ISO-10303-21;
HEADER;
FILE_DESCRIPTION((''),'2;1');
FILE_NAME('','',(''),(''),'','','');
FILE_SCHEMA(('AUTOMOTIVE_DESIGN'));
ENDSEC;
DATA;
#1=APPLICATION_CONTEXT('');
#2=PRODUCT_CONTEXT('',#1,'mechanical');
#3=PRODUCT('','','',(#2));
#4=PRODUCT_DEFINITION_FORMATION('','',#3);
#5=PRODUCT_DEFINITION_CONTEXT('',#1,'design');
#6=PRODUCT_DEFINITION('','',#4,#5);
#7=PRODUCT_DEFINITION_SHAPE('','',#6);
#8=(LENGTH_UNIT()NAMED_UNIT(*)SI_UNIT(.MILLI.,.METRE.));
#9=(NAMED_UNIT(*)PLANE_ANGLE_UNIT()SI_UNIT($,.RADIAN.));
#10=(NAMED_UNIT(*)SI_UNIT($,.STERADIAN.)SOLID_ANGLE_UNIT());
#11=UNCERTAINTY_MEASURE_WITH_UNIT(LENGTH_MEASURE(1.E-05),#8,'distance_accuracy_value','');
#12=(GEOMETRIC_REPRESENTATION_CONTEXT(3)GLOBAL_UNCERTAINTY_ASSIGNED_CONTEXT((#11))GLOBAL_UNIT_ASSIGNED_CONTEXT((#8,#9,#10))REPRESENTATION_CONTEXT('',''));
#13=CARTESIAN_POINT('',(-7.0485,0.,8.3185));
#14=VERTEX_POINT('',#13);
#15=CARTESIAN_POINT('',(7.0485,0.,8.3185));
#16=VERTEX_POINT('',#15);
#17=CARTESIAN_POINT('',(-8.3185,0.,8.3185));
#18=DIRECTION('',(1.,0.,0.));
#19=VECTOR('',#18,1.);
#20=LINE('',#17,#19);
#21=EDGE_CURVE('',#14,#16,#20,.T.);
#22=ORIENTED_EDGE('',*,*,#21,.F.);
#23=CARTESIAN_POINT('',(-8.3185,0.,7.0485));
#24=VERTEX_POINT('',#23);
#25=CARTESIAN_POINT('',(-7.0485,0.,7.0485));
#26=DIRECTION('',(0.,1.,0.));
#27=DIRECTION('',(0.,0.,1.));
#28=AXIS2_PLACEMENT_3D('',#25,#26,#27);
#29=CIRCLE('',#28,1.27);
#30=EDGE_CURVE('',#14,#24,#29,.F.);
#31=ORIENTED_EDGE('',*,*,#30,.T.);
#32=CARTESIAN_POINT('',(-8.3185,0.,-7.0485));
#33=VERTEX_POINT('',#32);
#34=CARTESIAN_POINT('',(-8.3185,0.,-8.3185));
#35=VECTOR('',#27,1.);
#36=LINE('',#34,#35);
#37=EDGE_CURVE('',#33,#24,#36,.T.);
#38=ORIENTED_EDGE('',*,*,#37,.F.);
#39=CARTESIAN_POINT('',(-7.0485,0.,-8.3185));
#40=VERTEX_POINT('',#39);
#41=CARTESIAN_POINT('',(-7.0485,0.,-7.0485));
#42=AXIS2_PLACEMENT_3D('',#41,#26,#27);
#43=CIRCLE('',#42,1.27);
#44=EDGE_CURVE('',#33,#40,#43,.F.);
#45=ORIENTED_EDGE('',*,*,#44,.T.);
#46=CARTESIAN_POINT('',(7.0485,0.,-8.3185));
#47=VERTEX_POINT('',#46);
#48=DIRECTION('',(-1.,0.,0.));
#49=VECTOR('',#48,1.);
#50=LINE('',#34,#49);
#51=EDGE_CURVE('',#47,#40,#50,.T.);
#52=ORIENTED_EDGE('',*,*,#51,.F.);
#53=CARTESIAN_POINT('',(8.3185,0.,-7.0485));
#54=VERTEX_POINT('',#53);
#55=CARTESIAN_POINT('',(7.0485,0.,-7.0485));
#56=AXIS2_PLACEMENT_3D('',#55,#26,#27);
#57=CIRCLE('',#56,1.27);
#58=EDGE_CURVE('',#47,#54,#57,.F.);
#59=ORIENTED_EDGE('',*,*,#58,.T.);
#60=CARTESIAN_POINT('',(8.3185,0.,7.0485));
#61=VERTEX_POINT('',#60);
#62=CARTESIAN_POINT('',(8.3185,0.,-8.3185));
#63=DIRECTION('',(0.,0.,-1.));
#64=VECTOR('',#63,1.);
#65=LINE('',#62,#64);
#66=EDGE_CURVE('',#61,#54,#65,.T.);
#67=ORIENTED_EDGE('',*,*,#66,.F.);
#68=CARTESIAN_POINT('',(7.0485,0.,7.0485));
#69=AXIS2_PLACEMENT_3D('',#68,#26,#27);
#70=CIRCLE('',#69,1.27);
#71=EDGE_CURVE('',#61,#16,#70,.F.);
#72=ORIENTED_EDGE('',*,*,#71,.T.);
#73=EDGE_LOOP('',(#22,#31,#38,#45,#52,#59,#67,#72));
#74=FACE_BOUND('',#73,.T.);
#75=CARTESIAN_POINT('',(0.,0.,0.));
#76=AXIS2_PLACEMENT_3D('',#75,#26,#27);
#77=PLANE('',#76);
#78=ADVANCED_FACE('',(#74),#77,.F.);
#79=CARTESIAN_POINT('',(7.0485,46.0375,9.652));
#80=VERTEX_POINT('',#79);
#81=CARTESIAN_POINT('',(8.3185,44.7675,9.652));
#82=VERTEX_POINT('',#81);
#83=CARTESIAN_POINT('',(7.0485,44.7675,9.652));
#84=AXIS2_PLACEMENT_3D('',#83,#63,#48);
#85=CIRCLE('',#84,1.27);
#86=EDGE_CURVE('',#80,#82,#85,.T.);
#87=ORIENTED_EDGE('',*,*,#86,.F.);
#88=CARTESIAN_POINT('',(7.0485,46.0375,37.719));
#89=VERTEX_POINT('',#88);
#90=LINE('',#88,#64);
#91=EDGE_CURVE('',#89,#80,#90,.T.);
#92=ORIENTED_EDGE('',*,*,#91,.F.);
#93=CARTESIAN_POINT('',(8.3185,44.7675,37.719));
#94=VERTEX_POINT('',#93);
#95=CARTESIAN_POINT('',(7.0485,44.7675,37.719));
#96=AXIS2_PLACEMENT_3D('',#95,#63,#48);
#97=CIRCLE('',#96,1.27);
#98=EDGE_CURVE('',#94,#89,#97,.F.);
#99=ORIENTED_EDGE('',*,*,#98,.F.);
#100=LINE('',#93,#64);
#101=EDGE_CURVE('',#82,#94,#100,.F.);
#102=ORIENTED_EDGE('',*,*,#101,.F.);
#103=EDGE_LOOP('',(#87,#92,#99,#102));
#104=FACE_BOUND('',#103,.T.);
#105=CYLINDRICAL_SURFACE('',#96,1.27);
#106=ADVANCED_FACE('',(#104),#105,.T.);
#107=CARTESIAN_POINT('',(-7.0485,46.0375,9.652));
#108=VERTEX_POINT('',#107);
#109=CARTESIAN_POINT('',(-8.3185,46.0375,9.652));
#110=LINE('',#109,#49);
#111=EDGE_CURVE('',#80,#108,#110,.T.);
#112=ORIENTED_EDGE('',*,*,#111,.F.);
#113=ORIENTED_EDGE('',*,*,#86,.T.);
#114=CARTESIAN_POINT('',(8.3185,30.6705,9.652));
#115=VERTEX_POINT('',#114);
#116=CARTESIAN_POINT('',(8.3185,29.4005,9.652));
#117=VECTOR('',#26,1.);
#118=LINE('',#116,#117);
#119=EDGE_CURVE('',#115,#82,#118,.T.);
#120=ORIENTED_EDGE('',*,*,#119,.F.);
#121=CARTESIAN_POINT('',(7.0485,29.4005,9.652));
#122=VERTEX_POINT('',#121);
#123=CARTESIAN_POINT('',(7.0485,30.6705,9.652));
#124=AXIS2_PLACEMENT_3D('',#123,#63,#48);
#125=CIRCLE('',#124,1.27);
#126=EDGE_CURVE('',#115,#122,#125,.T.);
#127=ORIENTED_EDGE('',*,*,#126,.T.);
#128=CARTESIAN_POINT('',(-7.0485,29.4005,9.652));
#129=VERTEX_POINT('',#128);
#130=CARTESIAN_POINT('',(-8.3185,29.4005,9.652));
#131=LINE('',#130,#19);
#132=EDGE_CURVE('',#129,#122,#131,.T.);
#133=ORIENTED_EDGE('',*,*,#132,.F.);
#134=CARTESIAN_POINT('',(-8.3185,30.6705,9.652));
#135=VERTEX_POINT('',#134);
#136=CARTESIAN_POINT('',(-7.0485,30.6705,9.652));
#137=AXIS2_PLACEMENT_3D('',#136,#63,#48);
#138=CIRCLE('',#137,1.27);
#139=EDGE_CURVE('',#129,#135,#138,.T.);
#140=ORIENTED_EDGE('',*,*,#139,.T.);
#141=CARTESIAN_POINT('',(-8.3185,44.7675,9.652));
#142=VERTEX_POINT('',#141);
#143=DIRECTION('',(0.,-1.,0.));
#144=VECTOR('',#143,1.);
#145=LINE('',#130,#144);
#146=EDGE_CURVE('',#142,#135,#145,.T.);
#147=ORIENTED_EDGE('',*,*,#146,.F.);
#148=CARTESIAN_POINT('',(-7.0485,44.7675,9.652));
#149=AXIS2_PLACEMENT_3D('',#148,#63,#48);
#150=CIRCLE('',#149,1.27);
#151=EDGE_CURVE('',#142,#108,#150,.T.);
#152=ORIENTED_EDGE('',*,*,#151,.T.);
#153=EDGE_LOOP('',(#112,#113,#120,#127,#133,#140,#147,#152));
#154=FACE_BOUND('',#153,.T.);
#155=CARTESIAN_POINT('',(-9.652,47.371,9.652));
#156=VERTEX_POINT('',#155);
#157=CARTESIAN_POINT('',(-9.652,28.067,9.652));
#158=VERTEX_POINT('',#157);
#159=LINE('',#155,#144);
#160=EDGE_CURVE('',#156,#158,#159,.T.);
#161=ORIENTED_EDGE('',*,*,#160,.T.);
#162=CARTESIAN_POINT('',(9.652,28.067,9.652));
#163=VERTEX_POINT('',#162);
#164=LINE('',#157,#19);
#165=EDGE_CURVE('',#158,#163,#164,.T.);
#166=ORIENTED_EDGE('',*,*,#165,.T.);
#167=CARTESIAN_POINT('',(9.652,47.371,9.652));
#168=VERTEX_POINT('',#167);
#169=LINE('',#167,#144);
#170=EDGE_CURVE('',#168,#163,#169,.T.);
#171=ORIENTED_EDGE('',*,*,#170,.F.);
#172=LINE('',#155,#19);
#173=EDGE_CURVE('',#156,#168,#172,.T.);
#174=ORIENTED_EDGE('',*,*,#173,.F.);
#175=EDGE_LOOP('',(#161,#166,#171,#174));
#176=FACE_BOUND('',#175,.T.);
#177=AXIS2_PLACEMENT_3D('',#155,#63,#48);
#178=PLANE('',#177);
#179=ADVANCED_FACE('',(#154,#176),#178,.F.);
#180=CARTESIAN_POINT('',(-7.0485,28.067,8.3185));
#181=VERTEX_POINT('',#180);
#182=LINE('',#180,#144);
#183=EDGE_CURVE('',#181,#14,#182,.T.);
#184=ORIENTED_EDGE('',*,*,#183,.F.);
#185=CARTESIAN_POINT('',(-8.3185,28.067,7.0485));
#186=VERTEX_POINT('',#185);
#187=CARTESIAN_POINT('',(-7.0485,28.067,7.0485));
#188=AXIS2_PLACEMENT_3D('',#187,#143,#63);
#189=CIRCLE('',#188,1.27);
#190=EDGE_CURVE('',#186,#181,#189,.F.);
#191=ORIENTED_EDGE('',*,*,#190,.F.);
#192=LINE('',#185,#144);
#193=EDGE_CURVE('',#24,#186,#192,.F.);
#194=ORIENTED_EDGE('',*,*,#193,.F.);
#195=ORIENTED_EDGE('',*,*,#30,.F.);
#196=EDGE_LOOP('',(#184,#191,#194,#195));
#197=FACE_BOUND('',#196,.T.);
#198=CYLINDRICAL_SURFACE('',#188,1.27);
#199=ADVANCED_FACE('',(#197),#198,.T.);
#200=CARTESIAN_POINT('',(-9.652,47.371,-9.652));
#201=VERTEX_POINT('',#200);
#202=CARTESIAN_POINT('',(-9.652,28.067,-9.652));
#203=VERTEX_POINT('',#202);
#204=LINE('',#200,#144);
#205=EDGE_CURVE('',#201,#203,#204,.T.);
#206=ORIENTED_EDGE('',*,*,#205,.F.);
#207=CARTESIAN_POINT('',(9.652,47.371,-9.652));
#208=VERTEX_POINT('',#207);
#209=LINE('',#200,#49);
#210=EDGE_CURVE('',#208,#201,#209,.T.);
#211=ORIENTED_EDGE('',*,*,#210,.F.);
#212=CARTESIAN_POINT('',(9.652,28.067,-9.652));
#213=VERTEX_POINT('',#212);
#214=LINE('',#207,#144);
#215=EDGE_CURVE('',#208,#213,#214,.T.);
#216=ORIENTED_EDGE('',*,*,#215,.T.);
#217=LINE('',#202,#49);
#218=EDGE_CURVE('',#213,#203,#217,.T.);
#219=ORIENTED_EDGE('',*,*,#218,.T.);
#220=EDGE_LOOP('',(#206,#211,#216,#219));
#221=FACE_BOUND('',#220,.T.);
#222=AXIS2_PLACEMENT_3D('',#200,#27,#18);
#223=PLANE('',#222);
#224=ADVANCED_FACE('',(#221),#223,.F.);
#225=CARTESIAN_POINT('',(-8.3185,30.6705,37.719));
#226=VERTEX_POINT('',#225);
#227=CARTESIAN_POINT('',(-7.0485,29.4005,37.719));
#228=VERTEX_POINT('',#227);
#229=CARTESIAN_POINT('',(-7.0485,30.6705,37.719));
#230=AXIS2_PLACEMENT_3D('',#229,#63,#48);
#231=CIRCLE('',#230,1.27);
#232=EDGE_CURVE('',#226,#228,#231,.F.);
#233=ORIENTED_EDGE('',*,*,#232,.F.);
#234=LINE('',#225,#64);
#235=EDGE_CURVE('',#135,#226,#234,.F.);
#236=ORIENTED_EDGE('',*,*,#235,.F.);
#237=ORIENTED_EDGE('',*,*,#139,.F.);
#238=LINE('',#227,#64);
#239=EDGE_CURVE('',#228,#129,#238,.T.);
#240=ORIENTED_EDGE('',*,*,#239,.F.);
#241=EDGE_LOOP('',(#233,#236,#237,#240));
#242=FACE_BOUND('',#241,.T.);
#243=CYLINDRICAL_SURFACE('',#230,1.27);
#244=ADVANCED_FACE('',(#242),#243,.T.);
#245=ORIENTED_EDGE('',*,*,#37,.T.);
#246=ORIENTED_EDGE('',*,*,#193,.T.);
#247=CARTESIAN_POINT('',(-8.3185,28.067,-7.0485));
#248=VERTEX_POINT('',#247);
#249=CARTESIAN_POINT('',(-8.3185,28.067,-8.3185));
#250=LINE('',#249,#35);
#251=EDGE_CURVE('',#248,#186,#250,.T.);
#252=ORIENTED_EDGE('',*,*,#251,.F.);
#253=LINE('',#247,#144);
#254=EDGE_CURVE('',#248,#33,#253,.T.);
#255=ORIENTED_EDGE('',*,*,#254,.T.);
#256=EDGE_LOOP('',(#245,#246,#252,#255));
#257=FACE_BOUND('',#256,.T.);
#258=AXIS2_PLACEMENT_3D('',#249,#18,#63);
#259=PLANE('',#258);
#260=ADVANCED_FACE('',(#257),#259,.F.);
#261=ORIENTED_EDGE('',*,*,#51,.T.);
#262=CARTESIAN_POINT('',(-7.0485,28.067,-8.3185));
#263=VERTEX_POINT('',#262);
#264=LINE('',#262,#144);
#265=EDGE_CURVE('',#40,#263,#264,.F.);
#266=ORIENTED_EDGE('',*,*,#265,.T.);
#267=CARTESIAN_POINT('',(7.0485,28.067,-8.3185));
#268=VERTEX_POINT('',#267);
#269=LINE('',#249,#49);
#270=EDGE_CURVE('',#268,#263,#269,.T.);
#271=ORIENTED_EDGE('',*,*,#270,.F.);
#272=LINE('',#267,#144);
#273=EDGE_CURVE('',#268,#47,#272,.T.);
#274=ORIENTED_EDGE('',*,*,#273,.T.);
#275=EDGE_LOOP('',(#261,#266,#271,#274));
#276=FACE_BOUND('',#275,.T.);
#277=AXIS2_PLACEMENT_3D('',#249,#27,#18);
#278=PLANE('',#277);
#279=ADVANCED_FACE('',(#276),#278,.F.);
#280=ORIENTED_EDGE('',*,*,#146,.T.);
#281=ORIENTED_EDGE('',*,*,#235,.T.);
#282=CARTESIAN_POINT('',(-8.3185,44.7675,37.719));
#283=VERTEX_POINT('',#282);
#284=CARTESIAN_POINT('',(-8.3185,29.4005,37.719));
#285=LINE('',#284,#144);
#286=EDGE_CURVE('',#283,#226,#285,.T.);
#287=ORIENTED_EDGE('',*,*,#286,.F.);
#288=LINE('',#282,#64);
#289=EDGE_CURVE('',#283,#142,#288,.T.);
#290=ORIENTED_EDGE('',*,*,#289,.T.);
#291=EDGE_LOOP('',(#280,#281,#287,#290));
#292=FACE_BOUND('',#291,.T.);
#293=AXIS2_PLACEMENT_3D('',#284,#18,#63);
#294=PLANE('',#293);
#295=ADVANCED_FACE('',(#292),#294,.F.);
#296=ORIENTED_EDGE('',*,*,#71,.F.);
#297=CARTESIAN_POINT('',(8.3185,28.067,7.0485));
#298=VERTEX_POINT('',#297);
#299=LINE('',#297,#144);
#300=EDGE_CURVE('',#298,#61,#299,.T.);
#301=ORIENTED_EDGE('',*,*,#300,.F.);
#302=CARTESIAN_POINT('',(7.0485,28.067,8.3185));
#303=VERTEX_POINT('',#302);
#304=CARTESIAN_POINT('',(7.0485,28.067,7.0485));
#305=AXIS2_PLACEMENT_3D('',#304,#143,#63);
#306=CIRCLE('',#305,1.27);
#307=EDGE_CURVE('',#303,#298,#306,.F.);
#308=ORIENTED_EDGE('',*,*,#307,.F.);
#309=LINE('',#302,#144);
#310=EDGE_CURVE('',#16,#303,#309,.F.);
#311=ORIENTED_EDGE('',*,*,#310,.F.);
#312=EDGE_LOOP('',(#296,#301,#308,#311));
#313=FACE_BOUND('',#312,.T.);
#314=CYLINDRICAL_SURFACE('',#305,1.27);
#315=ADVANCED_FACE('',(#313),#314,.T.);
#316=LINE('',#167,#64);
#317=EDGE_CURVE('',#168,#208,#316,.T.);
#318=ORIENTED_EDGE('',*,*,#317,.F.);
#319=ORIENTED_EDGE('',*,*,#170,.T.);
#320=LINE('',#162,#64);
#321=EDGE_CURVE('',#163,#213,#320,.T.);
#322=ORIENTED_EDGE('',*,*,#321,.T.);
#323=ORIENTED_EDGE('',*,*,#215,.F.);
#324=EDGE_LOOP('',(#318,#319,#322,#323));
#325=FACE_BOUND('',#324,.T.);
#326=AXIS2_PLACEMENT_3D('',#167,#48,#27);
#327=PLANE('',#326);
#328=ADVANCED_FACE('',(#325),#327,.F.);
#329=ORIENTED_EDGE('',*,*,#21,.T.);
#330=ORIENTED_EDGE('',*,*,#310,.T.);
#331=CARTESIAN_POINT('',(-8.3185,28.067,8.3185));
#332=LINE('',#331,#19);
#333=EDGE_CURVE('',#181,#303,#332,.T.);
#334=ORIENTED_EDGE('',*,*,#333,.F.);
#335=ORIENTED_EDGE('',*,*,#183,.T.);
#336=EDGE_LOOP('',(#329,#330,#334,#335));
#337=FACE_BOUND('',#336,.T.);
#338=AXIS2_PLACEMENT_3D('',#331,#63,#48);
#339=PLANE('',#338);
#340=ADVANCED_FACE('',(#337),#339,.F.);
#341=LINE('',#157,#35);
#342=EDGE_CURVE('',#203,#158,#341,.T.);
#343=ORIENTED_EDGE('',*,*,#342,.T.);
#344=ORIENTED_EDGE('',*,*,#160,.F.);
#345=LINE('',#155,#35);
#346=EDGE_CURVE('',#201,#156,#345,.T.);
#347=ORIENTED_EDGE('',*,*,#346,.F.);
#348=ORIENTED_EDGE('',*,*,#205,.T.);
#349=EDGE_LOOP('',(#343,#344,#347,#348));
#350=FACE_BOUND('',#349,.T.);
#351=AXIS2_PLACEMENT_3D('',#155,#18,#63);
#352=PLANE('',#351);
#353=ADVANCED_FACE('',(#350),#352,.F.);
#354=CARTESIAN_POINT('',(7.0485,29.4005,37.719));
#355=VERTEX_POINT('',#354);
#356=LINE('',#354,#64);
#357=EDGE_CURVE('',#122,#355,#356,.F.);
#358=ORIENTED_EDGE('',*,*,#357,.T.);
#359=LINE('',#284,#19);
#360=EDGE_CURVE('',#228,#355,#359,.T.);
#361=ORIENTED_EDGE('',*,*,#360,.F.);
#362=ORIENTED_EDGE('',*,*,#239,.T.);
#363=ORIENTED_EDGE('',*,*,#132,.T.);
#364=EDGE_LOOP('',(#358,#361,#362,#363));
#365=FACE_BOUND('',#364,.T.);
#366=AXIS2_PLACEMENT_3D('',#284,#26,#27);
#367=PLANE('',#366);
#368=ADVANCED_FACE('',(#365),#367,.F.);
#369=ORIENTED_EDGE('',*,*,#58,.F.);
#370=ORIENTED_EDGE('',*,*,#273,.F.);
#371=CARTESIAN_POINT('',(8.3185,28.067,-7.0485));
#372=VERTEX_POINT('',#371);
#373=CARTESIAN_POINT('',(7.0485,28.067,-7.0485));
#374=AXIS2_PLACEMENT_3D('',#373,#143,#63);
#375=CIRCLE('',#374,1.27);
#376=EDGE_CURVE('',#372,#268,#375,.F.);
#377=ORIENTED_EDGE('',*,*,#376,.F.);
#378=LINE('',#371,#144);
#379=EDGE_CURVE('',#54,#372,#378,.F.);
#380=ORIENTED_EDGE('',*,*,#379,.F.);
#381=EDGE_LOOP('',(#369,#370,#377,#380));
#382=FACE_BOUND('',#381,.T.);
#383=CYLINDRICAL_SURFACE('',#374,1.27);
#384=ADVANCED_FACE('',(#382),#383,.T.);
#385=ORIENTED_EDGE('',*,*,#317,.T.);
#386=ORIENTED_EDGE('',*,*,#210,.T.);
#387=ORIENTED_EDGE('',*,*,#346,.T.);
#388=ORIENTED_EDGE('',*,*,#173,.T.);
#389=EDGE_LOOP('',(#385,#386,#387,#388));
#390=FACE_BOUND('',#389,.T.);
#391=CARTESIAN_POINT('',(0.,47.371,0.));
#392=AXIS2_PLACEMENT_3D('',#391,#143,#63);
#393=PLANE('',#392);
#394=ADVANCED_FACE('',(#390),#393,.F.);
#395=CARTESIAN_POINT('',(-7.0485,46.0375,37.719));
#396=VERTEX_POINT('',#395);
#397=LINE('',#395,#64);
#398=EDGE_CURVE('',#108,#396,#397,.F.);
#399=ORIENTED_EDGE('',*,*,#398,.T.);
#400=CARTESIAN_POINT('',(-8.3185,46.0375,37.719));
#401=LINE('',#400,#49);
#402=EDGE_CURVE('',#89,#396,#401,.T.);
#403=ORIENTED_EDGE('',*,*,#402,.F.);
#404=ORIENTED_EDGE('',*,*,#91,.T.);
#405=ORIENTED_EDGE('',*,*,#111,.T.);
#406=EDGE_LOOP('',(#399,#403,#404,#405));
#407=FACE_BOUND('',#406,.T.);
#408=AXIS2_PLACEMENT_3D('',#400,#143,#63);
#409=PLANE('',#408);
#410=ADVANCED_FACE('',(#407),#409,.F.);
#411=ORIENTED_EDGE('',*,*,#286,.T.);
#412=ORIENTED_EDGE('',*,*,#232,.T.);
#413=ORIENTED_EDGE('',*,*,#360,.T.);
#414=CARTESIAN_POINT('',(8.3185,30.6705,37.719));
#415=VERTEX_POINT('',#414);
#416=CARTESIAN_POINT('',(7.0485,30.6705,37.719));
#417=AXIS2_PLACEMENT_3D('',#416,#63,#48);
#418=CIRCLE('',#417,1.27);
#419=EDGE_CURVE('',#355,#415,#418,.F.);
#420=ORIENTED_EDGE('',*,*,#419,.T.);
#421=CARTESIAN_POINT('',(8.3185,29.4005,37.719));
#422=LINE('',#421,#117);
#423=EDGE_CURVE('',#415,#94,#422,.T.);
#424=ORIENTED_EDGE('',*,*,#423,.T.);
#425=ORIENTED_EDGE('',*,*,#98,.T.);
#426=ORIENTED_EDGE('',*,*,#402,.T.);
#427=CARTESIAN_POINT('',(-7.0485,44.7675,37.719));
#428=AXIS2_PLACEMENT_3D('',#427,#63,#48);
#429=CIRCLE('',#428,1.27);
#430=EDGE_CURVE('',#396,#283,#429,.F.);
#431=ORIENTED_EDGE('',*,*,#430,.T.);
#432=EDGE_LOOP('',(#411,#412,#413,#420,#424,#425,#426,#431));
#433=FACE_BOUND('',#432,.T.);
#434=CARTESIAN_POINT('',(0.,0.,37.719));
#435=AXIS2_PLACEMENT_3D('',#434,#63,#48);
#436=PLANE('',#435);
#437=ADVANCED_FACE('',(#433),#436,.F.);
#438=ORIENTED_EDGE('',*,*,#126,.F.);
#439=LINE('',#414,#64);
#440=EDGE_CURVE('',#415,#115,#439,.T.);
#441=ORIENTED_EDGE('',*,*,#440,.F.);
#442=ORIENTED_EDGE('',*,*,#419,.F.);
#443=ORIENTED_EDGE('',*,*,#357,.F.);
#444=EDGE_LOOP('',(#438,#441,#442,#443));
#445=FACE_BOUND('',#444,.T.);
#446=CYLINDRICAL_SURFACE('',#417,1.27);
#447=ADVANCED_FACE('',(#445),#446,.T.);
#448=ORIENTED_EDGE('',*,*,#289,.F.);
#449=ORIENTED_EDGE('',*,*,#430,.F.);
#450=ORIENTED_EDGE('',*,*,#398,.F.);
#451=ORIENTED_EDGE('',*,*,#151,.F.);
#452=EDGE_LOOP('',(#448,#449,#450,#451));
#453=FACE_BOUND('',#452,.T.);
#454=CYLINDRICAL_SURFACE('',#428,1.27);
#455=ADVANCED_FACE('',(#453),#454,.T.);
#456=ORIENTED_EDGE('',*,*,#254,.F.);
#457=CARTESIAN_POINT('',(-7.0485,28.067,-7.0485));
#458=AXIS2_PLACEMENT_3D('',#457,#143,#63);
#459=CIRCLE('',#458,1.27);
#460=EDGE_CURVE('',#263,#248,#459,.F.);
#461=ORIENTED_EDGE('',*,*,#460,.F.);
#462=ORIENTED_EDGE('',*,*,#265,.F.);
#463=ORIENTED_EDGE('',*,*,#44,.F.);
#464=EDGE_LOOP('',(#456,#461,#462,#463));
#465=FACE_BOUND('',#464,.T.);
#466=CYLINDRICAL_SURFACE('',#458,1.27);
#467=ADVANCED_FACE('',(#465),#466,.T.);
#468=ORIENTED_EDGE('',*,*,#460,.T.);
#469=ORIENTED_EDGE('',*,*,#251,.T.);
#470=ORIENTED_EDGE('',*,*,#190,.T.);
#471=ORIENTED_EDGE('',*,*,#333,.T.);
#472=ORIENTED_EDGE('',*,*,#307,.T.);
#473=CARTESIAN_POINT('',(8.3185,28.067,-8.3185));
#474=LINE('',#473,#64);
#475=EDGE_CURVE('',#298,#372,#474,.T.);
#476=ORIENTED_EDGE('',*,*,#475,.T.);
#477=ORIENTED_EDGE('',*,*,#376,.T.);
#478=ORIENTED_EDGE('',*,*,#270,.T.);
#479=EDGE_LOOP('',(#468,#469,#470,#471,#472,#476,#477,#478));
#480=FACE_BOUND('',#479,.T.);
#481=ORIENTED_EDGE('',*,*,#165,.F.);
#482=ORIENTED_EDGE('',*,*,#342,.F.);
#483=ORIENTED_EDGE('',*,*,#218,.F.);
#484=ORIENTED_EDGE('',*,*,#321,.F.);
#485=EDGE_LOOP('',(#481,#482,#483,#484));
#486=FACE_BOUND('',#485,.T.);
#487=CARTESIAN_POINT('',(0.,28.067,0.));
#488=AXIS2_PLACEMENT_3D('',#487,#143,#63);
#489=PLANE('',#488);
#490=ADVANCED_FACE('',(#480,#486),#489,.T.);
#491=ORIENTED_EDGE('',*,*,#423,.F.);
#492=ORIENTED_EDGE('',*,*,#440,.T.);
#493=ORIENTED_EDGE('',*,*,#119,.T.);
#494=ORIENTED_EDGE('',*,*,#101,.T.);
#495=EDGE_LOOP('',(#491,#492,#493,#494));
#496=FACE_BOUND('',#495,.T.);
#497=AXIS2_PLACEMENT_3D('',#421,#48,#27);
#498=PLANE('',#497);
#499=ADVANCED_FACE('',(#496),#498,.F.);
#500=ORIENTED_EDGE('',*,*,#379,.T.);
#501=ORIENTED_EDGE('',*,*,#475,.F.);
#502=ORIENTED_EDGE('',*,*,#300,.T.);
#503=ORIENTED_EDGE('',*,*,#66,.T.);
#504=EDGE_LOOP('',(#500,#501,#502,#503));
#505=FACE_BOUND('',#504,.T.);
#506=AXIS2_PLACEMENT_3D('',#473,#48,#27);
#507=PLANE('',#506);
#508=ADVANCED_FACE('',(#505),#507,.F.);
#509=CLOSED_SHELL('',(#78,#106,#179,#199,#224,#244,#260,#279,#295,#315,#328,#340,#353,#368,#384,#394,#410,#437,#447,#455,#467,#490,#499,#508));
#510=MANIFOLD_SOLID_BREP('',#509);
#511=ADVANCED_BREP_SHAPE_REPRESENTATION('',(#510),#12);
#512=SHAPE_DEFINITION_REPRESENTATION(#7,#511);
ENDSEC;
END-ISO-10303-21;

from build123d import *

# Parameters (mm, degrees)
SKETCH1_W           = 16.637
SKETCH1_H           = 16.637
BOSS_EXTRUDE1_DEPTH = 28.067
SKETCH2_W           = 19.304
SKETCH2_H           = 19.304
BOSS_EXTRUDE2_DEPTH = 19.304
SKETCH3_W           = 16.637
SKETCH3_H           = 16.637
BOSS_EXTRUDE3_DEPTH = 28.067
FILLET1_R           = 1.27


with BuildPart() as part:
    # Sketch1 → Boss-Extrude1 (new body)
    with BuildSketch(Plane(origin=(0, 0, 0), x_dir=(1, 0, 0), z_dir=(0, 1, 0))):
        Rectangle(SKETCH1_W, SKETCH1_H)
    extrude(amount=BOSS_EXTRUDE1_DEPTH)

    # Sketch2 → Boss-Extrude2 (add)
    with BuildSketch(Plane(origin=(0, 28.067, 0), x_dir=(1, 0, 0), z_dir=(0, 1, 0))):
        Rectangle(SKETCH2_W, SKETCH2_H)
    extrude(amount=BOSS_EXTRUDE2_DEPTH)

    # Sketch3 → Boss-Extrude3 (add)
    with BuildSketch(Plane.XY.offset(9.652)):
        with Locations((0, 37.719)):
            Rectangle(SKETCH3_W, SKETCH3_H)
    extrude(amount=BOSS_EXTRUDE3_DEPTH)

    # Fillet1
    fillet1_edges = [part.edges().sort_by_distance(p)[0] for p in [
        (8.3185, 29.4005, 23.6855),
        (8.3185, 46.0375, 23.6855),
        (-8.3185, 46.0375, 23.6855),
        (-8.3185, 29.4005, 23.6855),
        (8.3185, 14.0335, 8.3185),
        (-8.3185, 14.0335, 8.3185),
        (-8.3185, 14.0335, -8.3185),
        (8.3185, 14.0335, -8.3185),
    ]]
    fillet(fillet1_edges, radius=FILLET1_R)


solid = part.part
